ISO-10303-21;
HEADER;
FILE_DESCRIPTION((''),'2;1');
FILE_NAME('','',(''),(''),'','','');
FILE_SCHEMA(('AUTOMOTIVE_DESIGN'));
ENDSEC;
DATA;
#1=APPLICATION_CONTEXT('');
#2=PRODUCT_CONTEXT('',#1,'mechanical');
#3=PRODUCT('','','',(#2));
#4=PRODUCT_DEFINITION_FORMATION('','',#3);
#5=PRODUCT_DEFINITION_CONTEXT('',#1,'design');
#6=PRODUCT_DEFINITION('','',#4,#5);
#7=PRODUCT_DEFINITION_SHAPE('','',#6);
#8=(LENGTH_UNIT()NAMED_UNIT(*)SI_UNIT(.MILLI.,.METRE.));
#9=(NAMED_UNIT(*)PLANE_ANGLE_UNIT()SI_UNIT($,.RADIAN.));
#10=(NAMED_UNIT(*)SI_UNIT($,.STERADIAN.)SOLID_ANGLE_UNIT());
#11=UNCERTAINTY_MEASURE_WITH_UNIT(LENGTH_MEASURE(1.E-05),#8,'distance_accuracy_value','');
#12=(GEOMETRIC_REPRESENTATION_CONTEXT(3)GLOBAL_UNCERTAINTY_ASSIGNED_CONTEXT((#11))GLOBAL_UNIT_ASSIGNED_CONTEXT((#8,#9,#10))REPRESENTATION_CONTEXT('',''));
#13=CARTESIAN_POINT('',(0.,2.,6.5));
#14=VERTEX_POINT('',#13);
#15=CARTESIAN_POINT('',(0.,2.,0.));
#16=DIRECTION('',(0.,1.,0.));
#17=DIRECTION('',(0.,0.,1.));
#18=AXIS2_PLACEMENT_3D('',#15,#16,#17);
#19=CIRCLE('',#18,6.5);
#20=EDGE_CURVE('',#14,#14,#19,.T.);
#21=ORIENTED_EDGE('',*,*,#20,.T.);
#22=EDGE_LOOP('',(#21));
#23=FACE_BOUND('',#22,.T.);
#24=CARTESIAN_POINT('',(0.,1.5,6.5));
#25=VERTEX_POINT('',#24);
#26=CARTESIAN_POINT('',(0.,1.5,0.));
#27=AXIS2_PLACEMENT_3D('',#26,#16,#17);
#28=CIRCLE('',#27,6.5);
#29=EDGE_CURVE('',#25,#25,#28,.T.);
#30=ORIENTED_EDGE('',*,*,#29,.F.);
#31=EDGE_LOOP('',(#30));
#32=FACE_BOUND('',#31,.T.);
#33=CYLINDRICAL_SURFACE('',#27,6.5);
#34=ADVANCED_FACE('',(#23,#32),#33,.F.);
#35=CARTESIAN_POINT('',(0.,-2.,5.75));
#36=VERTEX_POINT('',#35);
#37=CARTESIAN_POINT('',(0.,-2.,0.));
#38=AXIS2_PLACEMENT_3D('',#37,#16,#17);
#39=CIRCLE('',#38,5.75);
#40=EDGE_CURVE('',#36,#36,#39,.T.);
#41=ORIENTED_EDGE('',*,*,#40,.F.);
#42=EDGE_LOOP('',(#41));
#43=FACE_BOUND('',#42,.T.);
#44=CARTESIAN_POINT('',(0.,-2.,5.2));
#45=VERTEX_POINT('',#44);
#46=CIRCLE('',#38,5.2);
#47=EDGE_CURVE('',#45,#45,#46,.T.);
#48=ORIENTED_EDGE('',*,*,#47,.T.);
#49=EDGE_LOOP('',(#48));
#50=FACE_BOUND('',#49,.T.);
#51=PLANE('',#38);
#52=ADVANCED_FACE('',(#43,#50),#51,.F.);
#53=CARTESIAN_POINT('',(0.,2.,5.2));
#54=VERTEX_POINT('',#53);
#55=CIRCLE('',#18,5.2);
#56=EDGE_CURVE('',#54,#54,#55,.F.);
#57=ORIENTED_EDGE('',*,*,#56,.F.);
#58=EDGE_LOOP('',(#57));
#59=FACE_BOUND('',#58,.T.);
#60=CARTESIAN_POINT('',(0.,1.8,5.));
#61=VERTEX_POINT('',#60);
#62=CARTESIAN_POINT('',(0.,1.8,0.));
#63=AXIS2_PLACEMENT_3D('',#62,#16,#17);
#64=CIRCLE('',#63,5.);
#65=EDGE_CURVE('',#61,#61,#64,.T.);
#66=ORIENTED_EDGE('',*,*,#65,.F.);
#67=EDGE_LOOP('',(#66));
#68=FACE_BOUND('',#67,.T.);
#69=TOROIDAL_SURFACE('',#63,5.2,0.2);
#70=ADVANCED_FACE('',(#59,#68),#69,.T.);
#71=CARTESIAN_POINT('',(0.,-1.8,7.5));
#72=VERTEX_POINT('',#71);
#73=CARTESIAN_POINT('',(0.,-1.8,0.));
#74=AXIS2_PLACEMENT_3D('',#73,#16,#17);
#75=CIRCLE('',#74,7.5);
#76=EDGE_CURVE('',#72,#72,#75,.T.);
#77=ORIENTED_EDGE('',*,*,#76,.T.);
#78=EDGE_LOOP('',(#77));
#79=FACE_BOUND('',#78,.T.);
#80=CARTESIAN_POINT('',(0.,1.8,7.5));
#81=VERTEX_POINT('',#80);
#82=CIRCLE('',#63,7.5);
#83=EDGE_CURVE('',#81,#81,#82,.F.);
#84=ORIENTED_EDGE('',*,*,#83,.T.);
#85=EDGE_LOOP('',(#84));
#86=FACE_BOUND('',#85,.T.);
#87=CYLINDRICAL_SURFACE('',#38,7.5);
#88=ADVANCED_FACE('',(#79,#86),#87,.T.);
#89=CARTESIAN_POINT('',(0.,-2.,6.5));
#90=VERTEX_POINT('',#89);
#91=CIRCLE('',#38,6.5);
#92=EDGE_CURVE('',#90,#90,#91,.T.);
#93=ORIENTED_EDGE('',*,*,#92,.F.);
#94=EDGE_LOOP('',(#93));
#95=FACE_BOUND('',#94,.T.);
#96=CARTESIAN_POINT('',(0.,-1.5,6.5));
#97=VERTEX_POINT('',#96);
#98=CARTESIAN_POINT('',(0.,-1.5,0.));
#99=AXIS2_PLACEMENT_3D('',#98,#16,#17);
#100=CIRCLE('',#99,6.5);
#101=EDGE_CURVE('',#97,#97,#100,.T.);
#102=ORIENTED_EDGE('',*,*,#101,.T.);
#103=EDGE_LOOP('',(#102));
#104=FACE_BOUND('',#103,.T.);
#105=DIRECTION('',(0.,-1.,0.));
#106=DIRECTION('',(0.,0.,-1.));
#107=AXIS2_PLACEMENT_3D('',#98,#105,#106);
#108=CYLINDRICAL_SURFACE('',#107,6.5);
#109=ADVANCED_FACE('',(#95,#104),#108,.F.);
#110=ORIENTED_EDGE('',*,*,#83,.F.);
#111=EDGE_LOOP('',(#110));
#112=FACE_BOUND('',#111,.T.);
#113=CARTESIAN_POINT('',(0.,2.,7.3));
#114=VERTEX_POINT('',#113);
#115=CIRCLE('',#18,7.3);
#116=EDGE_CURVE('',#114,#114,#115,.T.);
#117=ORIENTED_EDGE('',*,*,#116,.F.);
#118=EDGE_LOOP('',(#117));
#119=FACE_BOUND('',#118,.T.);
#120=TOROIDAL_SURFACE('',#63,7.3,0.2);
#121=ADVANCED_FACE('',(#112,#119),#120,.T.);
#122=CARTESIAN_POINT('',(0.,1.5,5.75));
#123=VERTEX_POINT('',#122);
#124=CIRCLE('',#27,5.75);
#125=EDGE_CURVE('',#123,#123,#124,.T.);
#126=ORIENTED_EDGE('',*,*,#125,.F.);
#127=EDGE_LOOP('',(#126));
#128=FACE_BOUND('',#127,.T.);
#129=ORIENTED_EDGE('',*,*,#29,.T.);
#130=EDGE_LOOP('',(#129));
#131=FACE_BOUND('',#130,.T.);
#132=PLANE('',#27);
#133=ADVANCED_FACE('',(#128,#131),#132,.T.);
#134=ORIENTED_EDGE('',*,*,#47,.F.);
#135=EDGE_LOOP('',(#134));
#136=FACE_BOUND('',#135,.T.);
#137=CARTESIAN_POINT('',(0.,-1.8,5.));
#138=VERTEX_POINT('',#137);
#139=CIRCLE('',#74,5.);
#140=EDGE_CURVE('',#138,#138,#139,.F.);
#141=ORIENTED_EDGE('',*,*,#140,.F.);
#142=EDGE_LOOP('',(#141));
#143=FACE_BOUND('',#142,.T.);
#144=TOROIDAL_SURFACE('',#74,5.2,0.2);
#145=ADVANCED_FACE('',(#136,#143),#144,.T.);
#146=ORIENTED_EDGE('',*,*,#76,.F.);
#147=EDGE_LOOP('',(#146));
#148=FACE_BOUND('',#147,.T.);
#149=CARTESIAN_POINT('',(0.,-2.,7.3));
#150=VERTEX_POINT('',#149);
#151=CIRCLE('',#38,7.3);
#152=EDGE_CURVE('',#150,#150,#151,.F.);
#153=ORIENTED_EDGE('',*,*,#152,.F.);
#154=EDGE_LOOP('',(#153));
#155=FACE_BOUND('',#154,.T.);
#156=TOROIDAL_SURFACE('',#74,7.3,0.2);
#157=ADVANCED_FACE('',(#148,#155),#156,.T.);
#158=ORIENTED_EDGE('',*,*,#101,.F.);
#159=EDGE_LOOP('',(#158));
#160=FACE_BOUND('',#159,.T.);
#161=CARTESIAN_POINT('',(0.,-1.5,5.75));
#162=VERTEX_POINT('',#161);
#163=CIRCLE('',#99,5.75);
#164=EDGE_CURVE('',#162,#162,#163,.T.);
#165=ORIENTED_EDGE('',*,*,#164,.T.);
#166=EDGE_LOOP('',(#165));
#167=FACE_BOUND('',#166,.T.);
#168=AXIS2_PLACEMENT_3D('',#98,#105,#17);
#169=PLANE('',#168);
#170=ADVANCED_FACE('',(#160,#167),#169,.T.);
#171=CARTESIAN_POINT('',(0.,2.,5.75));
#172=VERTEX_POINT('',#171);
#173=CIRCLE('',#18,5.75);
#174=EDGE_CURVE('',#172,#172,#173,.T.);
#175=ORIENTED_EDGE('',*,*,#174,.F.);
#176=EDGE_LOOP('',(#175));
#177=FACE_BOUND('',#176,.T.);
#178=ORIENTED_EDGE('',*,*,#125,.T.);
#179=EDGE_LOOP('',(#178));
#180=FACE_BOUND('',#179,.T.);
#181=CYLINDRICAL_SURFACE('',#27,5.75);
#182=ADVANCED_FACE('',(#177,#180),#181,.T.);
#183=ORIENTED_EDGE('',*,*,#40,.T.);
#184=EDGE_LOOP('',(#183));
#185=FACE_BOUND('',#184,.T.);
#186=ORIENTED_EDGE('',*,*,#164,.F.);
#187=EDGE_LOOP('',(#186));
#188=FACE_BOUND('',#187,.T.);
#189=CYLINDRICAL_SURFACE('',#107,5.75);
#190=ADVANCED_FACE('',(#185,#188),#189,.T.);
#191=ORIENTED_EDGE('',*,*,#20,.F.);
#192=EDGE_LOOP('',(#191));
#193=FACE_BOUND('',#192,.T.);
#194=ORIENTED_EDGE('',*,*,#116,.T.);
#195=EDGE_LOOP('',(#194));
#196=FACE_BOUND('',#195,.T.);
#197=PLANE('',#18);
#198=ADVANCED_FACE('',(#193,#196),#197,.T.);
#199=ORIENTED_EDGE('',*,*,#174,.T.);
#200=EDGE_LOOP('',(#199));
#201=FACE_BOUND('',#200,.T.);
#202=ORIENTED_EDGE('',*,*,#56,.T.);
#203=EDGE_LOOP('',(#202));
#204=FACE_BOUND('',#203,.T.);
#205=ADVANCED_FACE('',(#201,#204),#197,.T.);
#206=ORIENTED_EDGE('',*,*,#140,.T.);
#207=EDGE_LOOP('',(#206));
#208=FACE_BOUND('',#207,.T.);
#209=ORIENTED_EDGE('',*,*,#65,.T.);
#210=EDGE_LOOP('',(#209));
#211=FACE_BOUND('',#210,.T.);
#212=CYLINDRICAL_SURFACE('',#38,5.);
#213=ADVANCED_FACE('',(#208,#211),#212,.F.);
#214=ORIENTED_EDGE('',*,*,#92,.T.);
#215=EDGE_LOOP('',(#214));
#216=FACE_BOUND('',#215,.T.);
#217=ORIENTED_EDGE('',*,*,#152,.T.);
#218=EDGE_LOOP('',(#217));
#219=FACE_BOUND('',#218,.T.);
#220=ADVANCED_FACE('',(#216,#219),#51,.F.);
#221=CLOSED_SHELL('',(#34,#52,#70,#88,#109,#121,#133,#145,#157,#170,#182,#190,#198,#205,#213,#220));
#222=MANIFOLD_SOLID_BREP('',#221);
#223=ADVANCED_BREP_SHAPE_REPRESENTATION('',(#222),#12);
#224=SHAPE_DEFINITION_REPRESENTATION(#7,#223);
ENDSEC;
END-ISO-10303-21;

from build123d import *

# Parameters (mm, degrees)
BOSS_EXTRUDE1_DEPTH      = 2
BOSS_EXTRUDE1_DEPTH_BACK = 2
SKETCH1_R                = 7.5
SKETCH1_R_2              = 5
SKETCH2_R                = 6.5
SKETCH2_R_2              = 5.75
CUT_EXTRUDE1_DEPTH       = 0.5
FILLET1_R                = 0.2


with BuildPart() as part:
    # Sketch1 → Boss-Extrude1 (new, two sides: drawn at the far end of the back side and taken through both)
    with BuildSketch(Plane(origin=(0, 0, 0), x_dir=(1, 0, 0), z_dir=(0, 1, 0)).offset(-BOSS_EXTRUDE1_DEPTH_BACK)):
        Circle(SKETCH1_R)
        Circle(SKETCH1_R_2, mode=Mode.SUBTRACT)
    extrude(amount=BOSS_EXTRUDE1_DEPTH + BOSS_EXTRUDE1_DEPTH_BACK)

    # Sketch2 → Cut-Extrude1 (cut)
    with BuildSketch(Plane(origin=(0, 2, 0), x_dir=(1, 0, 0), z_dir=(0, 1, 0))):
        Circle(SKETCH2_R)
        Circle(SKETCH2_R_2, mode=Mode.SUBTRACT)
    cut_extrude1 = extrude(amount=-CUT_EXTRUDE1_DEPTH, mode=Mode.SUBTRACT)

    # Mirror2: Cut-Extrude1 across plane
    add(cut_extrude1.mirror(Plane.ZX), mode=Mode.SUBTRACT)

    # Fillet1
    fillet1_edges = [part.edges().sort_by_distance(p)[0] for p in [
        (-5, -2, 0),
        (-5, 2, 0),
        (-7.5, 2, 0),
        (-7.5, -2, 0),
    ]]
    fillet(fillet1_edges, radius=FILLET1_R)


solid = part.part
